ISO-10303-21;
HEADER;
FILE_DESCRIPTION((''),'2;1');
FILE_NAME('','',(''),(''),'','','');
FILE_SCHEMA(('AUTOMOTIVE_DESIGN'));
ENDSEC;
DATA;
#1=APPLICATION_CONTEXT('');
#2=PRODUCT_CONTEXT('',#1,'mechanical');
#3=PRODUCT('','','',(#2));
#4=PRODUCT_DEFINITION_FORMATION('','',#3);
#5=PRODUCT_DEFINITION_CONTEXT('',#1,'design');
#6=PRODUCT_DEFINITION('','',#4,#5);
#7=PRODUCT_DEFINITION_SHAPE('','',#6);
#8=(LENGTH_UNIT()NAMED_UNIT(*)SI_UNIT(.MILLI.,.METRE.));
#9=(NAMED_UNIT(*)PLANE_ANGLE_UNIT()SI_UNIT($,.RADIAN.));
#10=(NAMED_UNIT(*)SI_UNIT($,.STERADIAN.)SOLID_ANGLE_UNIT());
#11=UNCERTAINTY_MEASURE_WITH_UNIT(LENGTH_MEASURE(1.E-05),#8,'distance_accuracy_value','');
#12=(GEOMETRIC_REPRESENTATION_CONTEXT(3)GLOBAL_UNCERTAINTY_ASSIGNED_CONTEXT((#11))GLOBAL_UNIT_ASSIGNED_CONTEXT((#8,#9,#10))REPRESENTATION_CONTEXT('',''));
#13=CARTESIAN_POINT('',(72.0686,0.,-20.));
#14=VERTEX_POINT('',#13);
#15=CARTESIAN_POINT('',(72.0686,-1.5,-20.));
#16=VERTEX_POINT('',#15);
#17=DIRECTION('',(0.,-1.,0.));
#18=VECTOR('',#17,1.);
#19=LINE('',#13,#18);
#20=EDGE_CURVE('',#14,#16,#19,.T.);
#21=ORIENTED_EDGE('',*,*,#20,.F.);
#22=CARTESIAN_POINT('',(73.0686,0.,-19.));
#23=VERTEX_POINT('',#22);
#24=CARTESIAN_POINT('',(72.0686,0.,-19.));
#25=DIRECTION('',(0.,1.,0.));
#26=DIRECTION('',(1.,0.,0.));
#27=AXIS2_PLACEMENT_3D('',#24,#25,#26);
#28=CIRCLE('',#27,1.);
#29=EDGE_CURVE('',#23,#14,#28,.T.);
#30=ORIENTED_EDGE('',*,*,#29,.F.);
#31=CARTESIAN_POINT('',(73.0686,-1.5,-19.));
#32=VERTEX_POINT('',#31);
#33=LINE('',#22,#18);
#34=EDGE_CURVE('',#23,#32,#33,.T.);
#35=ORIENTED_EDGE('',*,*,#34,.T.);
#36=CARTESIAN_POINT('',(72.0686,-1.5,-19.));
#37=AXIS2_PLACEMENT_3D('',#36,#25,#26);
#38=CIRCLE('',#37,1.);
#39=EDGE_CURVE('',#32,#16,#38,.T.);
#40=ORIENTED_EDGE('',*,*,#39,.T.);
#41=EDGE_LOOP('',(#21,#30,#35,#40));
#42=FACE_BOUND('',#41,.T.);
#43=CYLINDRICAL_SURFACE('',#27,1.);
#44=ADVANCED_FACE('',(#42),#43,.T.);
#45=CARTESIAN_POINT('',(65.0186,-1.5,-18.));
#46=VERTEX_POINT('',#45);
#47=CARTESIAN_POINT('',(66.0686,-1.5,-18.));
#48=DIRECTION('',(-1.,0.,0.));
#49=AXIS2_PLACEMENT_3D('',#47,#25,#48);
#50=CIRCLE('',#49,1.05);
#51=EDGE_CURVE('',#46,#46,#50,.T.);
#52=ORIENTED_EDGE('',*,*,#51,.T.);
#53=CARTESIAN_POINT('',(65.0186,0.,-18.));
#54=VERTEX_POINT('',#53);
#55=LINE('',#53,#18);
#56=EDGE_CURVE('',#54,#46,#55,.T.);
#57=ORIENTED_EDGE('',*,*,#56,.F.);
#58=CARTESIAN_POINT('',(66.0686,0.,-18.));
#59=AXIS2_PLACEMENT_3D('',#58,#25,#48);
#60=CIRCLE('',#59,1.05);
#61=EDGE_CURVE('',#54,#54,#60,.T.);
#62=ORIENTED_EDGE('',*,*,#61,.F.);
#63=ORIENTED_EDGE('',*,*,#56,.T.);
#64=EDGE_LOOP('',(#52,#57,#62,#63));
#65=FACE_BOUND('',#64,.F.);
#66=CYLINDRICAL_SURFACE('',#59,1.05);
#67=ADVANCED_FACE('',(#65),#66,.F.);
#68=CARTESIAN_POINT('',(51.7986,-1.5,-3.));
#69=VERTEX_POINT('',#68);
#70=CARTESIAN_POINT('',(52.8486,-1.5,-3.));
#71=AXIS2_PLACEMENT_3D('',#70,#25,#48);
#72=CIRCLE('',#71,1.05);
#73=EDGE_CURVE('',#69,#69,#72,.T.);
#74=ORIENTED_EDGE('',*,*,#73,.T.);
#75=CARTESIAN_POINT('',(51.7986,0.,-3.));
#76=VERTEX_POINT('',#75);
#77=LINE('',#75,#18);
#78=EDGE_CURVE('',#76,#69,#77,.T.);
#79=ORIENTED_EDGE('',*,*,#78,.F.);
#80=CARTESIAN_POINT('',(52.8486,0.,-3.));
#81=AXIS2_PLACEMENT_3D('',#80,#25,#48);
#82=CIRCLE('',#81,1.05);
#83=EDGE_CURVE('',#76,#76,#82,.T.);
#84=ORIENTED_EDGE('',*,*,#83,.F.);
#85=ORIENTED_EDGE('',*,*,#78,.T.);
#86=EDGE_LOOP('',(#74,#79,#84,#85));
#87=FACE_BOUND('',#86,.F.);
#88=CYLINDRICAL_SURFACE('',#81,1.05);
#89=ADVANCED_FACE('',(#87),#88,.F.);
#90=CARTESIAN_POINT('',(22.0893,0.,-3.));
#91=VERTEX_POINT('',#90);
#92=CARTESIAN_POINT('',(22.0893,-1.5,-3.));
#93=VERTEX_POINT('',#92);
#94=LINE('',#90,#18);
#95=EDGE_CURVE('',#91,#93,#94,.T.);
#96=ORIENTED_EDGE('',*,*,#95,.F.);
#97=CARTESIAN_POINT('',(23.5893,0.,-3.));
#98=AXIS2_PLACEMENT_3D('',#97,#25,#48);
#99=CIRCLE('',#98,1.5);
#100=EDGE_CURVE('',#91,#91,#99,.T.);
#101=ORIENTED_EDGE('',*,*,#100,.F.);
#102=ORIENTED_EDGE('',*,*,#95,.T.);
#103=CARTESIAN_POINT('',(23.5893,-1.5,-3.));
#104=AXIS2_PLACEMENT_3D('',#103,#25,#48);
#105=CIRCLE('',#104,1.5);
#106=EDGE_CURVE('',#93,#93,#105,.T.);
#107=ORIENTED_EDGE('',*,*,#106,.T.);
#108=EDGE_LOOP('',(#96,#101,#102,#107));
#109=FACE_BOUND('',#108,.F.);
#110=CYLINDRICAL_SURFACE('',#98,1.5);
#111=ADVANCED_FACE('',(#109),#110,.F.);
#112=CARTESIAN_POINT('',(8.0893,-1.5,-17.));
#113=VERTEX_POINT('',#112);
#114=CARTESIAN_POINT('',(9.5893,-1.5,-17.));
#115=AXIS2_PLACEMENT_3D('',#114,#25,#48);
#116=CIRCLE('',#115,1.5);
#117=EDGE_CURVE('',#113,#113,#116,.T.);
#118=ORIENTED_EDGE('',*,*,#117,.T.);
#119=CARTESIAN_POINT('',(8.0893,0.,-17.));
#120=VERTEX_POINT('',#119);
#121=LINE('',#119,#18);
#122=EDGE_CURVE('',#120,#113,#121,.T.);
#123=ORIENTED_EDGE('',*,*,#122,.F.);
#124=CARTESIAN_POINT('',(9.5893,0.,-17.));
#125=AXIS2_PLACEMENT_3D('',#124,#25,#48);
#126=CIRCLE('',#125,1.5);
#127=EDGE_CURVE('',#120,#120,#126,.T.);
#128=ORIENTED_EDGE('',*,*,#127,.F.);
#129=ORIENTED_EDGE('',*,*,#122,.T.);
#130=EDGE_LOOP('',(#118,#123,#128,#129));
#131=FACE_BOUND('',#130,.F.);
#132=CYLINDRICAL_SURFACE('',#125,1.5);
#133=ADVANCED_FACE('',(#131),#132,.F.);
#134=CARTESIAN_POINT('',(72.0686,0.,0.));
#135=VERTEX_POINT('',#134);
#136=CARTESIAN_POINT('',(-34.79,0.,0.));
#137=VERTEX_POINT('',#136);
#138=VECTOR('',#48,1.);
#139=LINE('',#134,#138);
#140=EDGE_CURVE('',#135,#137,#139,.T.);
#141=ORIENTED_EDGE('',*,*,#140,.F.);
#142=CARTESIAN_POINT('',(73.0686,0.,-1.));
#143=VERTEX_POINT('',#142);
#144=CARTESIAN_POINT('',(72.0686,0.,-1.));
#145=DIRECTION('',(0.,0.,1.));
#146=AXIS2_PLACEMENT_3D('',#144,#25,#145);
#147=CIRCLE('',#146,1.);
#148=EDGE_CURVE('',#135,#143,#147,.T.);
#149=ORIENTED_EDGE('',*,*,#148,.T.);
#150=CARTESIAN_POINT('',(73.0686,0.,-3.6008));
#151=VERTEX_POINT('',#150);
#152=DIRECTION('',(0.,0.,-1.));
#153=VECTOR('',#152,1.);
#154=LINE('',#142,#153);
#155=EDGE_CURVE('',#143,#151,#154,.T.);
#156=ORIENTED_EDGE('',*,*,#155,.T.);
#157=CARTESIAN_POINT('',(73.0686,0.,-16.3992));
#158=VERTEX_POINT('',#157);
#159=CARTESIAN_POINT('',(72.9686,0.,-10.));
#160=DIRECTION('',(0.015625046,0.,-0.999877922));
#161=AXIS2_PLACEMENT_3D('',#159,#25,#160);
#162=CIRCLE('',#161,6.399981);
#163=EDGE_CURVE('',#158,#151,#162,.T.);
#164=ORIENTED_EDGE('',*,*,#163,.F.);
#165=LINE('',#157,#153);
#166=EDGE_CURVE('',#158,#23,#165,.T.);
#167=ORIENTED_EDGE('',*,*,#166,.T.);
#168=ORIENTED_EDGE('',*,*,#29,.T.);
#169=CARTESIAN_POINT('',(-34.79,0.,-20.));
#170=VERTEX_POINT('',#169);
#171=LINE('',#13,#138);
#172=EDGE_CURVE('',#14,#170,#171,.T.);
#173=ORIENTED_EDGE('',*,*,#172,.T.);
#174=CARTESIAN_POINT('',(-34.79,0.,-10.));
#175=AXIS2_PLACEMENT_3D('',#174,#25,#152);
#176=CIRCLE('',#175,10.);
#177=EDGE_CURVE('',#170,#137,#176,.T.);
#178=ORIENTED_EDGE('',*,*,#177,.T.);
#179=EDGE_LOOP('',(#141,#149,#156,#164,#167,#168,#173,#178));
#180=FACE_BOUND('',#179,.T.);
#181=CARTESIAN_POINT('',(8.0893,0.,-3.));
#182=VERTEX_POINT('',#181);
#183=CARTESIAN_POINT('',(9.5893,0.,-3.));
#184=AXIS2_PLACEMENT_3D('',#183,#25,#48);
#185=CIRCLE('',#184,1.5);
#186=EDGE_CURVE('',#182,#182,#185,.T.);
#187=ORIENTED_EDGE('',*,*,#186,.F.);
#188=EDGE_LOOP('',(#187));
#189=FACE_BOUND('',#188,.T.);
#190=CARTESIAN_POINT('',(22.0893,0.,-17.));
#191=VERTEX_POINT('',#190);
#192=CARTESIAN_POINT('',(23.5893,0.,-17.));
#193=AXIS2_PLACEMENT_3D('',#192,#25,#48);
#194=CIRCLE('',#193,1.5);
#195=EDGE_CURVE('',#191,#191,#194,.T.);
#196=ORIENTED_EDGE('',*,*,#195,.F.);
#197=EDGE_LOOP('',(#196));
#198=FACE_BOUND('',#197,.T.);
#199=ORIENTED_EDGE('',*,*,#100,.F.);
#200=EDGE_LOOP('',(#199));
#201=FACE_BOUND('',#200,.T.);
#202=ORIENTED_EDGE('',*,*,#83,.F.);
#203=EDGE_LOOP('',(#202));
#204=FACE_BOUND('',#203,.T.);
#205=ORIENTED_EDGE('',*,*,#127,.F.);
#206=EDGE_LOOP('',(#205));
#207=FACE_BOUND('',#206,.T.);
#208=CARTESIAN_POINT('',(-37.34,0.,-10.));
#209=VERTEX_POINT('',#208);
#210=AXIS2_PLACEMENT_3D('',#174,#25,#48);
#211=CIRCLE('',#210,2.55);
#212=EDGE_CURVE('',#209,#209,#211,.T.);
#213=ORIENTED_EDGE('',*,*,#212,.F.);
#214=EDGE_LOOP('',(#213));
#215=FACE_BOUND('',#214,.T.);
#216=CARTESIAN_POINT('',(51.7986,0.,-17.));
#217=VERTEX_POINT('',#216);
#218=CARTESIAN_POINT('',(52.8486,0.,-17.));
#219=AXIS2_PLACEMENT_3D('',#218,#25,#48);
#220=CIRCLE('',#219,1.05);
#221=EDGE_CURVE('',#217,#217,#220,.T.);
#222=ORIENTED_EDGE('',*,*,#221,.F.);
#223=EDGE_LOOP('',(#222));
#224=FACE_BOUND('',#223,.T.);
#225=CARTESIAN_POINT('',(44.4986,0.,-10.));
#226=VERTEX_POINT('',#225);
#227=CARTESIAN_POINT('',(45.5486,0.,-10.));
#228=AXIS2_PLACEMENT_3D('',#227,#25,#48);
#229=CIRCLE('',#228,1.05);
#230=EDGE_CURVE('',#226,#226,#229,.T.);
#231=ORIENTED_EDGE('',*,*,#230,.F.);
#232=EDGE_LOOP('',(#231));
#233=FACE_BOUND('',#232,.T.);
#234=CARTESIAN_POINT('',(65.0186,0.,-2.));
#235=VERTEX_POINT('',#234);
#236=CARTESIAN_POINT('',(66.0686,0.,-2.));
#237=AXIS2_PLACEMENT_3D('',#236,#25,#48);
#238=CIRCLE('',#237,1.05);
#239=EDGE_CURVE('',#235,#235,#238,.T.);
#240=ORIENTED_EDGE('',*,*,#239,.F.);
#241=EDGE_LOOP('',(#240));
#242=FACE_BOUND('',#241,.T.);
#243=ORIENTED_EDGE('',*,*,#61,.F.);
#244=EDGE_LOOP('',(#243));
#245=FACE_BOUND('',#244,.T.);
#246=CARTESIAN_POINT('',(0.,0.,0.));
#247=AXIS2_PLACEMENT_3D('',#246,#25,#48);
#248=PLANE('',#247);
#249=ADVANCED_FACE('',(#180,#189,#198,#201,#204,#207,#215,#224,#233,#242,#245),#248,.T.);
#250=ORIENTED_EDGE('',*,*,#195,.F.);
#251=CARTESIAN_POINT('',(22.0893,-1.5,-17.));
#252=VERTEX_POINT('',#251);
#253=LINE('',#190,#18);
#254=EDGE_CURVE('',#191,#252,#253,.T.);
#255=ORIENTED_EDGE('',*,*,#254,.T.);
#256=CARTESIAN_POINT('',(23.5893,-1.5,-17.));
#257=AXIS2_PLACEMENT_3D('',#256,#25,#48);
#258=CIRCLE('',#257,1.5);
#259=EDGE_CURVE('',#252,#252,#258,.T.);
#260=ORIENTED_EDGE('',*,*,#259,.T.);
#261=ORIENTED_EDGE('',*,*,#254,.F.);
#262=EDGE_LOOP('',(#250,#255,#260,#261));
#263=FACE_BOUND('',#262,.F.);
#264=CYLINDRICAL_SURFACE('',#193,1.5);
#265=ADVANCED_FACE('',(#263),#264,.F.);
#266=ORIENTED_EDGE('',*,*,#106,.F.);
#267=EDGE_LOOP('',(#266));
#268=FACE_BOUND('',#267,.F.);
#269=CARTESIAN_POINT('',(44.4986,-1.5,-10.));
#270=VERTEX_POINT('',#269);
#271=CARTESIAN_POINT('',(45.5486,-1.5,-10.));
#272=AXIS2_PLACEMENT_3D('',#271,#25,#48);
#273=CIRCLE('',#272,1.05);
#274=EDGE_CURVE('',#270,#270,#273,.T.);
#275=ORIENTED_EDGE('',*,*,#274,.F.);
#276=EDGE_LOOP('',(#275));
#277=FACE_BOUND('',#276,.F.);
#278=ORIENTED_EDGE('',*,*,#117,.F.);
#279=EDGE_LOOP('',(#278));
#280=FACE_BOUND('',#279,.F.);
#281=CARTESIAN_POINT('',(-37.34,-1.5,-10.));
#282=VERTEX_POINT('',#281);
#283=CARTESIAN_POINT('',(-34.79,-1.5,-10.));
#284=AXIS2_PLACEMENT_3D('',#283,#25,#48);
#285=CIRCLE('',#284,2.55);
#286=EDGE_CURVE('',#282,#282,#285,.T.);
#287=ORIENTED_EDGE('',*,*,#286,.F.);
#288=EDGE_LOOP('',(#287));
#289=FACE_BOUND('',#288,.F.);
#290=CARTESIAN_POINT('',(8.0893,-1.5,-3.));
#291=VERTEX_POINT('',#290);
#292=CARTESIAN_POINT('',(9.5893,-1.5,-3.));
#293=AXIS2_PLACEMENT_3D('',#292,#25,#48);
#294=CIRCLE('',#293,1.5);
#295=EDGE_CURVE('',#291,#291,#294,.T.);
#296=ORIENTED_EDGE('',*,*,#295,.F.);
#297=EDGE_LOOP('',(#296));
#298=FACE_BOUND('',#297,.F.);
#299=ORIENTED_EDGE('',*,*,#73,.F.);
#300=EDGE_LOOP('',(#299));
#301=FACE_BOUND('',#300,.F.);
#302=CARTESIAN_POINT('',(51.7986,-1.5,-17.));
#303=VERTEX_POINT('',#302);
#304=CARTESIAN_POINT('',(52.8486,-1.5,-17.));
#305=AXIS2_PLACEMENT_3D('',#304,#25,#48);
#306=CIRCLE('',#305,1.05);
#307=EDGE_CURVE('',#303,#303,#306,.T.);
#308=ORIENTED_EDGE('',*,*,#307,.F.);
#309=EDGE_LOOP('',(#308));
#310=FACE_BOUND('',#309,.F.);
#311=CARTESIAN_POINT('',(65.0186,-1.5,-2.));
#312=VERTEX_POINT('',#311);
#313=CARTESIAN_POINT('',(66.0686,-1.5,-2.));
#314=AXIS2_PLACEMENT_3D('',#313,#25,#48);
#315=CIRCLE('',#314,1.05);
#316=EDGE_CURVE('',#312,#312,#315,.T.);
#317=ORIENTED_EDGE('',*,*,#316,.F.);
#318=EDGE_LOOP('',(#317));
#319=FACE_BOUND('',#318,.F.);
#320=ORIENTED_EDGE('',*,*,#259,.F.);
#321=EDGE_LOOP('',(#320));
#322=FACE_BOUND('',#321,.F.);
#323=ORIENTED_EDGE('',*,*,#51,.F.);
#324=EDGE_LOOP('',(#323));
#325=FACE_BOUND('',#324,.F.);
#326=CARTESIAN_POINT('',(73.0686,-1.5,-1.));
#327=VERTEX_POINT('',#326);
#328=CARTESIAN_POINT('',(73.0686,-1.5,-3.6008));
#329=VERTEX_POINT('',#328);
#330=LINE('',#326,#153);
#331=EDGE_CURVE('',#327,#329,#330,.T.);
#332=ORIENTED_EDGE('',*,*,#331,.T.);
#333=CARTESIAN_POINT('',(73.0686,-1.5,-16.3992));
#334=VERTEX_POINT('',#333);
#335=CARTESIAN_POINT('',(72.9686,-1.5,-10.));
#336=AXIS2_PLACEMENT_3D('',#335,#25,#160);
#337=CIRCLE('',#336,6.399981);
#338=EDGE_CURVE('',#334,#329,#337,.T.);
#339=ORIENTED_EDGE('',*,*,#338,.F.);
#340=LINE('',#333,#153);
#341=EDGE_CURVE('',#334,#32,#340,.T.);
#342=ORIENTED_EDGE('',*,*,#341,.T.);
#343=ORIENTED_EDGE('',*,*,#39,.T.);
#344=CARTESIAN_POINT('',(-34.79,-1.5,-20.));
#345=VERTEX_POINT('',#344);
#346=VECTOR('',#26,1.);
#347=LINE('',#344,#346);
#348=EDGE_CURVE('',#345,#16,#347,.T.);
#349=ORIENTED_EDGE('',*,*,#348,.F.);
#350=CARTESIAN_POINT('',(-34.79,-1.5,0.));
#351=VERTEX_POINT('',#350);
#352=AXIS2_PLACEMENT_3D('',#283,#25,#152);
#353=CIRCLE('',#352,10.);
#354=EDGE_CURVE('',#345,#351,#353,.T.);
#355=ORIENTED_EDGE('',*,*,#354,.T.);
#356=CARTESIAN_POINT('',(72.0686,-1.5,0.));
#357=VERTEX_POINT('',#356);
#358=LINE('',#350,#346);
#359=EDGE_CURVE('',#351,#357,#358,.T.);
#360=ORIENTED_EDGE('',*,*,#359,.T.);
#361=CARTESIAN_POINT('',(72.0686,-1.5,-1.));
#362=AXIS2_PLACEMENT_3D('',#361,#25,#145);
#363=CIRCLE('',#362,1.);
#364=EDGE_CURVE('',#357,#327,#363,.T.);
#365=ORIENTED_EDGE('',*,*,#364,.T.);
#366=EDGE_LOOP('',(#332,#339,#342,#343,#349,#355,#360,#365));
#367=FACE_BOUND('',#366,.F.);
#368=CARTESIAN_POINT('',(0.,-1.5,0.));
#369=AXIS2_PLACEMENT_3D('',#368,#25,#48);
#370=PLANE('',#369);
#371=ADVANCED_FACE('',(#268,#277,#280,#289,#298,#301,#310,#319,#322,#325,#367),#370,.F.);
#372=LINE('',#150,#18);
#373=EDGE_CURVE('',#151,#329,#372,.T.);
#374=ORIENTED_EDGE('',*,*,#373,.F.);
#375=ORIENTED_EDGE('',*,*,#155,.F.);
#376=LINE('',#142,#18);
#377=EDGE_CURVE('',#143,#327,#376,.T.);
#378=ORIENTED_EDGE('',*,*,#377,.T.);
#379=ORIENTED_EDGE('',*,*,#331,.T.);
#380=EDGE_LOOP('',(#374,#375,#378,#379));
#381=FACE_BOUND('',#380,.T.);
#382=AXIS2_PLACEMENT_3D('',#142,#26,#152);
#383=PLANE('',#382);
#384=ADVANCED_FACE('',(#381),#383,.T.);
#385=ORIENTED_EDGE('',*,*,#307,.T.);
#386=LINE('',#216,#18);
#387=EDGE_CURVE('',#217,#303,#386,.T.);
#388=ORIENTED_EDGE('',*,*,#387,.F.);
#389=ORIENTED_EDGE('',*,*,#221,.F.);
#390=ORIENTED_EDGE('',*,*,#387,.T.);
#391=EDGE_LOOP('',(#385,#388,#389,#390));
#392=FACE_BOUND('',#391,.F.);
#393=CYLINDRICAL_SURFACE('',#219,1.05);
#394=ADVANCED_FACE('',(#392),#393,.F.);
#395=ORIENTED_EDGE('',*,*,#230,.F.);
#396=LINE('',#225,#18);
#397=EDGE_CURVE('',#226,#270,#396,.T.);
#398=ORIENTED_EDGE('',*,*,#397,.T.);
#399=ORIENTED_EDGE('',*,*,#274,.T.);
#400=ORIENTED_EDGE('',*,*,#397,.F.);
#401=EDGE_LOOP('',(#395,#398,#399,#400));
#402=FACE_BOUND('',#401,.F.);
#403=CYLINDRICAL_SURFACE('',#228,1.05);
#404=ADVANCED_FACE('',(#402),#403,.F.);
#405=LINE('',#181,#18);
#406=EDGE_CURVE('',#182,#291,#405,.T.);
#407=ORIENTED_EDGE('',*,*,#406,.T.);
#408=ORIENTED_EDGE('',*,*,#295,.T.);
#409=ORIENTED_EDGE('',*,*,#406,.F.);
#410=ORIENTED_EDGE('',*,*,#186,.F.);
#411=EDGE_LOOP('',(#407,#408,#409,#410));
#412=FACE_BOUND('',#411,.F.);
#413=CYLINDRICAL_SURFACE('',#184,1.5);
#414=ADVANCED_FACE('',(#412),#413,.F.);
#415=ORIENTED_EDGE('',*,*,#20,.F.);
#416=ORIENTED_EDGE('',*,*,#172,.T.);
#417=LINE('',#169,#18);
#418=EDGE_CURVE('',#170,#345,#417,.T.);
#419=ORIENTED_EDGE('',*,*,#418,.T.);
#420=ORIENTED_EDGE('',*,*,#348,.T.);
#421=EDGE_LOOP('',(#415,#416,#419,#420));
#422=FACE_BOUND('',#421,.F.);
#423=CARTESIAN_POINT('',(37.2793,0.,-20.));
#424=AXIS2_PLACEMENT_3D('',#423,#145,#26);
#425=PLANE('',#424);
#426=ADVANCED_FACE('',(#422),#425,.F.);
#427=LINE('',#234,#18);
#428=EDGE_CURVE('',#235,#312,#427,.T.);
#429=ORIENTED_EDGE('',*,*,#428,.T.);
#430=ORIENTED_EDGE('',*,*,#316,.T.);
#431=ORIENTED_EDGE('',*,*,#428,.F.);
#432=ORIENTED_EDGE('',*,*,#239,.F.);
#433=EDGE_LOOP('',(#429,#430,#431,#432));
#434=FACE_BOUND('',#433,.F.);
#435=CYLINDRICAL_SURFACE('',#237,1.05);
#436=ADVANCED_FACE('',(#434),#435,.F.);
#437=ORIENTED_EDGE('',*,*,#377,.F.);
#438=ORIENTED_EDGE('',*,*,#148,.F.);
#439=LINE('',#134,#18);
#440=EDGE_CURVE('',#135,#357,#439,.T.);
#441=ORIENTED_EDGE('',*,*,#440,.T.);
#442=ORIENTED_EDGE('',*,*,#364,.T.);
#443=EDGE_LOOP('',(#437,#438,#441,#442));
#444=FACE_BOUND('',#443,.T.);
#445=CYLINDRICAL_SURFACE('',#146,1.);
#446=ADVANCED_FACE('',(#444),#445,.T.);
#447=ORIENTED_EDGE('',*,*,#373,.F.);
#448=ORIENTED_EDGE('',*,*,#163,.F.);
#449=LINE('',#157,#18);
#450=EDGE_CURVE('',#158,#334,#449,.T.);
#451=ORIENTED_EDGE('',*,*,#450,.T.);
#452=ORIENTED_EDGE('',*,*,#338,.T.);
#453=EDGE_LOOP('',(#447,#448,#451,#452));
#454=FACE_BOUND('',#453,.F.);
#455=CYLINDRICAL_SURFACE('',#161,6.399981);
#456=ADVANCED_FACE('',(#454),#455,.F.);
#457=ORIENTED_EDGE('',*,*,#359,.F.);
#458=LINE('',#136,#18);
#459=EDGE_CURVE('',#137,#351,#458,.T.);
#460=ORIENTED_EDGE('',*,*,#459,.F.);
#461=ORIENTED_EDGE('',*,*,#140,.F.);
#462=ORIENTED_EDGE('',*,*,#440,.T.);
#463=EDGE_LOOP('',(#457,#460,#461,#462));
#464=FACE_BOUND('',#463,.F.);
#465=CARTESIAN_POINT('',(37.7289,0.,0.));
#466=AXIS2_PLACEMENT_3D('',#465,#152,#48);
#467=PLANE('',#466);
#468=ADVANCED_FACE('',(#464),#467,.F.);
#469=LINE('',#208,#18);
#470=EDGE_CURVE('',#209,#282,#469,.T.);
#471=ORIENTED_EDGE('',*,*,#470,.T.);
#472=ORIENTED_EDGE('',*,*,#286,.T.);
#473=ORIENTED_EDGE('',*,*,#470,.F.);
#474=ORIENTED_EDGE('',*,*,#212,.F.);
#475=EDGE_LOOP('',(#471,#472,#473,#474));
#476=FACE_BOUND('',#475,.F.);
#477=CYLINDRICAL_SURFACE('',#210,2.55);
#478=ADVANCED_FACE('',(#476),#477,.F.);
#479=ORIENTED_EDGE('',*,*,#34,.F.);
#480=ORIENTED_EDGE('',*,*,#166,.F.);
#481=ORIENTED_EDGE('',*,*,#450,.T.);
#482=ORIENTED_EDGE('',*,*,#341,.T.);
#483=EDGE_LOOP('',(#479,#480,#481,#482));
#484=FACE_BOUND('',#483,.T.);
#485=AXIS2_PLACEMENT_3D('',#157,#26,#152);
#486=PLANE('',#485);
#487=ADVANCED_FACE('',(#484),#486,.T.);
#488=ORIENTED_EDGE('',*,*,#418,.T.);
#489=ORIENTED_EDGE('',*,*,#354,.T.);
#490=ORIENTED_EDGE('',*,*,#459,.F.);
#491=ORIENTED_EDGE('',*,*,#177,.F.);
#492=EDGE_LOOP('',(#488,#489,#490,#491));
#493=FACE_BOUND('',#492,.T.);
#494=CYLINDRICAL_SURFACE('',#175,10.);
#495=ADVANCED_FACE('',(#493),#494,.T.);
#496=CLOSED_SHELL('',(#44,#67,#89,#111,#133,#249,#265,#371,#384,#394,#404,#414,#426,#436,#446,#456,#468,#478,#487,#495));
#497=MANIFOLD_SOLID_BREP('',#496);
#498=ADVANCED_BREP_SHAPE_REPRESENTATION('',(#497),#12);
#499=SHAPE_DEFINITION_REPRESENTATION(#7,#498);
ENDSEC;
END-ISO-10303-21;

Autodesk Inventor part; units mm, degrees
ref_plane "YZ Plane" through (0, 0, 0) normal (1, 0, 0) x (0, 1, 0)
ref_plane "XZ Plane" through (0, 0, 0) normal (0, 1, 0) x (-1, 0, 0)
ref_plane "XY Plane" through (0, 0, 0) normal (0, 0, 1) x (1, 0, 0)
sketch "Sketch1" plane through (0, 0, 0) normal (0, 1, 0) x (-1, 0, 0)
  line L0 (-37.7289, 0) -> (-37.7289, -20)
  line L1 (-0.4496, -20) -> (-0.4496, 0)
  circle A0 centre (-45.5486, -10) radius 1.05
  circle A1 centre (-52.8486, -3) radius 1.05
  circle A2 centre (-52.8486, -17) radius 1.05
  circle A3 centre (-66.0686, -18) radius 1.05
  circle A4 centre (-66.0686, -2) radius 1.05
  circle A5 centre (-23.5893, -3) radius 1.5
  circle A6 centre (-9.5893, -3) radius 1.5
  circle A7 centre (-23.5893, -17) radius 1.5
  circle A8 centre (-9.5893, -17) radius 1.5
  circle A9 centre (34.79, -10) radius 2.55
  arc A10 (-72.0686, 0) -> (-73.0686, -1) centre (-72.0686, -1) ccw
  line L2 (-73.0686, -1) -> (-73.0686, -3.6008)
  arc A11 (-73.0686, -19) -> (-72.0686, -20) centre (-72.0686, -19) ccw
  line L3 (-73.0686, -16.3992) -> (-73.0686, -19)
  arc A12 (-73.0686, -16.3992) -> (-73.0686, -3.6008) centre (-72.9686, -10) ccw
  line L4 (-72.0686, 0) -> (34.79, 0)
  line L5 (34.79, -20) -> (-72.0686, -20)
  arc A13 (34.79, -20) -> (34.79, 0) centre (34.79, -10) ccw
  line L6 (-38.1786, -20) -> (-38.1786, 0)
  line L7 (-37.2793, 0) -> (-37.2793, -20)
  line L8 (-0.8993, -20) -> (-0.8993, 0)
  line L9 (0, 0) -> (0, -20)
extrude "Extrusion1" add sketch "Sketch1" against normal blind 1.5
properties part number "CAM_axis_6_top_frame"
